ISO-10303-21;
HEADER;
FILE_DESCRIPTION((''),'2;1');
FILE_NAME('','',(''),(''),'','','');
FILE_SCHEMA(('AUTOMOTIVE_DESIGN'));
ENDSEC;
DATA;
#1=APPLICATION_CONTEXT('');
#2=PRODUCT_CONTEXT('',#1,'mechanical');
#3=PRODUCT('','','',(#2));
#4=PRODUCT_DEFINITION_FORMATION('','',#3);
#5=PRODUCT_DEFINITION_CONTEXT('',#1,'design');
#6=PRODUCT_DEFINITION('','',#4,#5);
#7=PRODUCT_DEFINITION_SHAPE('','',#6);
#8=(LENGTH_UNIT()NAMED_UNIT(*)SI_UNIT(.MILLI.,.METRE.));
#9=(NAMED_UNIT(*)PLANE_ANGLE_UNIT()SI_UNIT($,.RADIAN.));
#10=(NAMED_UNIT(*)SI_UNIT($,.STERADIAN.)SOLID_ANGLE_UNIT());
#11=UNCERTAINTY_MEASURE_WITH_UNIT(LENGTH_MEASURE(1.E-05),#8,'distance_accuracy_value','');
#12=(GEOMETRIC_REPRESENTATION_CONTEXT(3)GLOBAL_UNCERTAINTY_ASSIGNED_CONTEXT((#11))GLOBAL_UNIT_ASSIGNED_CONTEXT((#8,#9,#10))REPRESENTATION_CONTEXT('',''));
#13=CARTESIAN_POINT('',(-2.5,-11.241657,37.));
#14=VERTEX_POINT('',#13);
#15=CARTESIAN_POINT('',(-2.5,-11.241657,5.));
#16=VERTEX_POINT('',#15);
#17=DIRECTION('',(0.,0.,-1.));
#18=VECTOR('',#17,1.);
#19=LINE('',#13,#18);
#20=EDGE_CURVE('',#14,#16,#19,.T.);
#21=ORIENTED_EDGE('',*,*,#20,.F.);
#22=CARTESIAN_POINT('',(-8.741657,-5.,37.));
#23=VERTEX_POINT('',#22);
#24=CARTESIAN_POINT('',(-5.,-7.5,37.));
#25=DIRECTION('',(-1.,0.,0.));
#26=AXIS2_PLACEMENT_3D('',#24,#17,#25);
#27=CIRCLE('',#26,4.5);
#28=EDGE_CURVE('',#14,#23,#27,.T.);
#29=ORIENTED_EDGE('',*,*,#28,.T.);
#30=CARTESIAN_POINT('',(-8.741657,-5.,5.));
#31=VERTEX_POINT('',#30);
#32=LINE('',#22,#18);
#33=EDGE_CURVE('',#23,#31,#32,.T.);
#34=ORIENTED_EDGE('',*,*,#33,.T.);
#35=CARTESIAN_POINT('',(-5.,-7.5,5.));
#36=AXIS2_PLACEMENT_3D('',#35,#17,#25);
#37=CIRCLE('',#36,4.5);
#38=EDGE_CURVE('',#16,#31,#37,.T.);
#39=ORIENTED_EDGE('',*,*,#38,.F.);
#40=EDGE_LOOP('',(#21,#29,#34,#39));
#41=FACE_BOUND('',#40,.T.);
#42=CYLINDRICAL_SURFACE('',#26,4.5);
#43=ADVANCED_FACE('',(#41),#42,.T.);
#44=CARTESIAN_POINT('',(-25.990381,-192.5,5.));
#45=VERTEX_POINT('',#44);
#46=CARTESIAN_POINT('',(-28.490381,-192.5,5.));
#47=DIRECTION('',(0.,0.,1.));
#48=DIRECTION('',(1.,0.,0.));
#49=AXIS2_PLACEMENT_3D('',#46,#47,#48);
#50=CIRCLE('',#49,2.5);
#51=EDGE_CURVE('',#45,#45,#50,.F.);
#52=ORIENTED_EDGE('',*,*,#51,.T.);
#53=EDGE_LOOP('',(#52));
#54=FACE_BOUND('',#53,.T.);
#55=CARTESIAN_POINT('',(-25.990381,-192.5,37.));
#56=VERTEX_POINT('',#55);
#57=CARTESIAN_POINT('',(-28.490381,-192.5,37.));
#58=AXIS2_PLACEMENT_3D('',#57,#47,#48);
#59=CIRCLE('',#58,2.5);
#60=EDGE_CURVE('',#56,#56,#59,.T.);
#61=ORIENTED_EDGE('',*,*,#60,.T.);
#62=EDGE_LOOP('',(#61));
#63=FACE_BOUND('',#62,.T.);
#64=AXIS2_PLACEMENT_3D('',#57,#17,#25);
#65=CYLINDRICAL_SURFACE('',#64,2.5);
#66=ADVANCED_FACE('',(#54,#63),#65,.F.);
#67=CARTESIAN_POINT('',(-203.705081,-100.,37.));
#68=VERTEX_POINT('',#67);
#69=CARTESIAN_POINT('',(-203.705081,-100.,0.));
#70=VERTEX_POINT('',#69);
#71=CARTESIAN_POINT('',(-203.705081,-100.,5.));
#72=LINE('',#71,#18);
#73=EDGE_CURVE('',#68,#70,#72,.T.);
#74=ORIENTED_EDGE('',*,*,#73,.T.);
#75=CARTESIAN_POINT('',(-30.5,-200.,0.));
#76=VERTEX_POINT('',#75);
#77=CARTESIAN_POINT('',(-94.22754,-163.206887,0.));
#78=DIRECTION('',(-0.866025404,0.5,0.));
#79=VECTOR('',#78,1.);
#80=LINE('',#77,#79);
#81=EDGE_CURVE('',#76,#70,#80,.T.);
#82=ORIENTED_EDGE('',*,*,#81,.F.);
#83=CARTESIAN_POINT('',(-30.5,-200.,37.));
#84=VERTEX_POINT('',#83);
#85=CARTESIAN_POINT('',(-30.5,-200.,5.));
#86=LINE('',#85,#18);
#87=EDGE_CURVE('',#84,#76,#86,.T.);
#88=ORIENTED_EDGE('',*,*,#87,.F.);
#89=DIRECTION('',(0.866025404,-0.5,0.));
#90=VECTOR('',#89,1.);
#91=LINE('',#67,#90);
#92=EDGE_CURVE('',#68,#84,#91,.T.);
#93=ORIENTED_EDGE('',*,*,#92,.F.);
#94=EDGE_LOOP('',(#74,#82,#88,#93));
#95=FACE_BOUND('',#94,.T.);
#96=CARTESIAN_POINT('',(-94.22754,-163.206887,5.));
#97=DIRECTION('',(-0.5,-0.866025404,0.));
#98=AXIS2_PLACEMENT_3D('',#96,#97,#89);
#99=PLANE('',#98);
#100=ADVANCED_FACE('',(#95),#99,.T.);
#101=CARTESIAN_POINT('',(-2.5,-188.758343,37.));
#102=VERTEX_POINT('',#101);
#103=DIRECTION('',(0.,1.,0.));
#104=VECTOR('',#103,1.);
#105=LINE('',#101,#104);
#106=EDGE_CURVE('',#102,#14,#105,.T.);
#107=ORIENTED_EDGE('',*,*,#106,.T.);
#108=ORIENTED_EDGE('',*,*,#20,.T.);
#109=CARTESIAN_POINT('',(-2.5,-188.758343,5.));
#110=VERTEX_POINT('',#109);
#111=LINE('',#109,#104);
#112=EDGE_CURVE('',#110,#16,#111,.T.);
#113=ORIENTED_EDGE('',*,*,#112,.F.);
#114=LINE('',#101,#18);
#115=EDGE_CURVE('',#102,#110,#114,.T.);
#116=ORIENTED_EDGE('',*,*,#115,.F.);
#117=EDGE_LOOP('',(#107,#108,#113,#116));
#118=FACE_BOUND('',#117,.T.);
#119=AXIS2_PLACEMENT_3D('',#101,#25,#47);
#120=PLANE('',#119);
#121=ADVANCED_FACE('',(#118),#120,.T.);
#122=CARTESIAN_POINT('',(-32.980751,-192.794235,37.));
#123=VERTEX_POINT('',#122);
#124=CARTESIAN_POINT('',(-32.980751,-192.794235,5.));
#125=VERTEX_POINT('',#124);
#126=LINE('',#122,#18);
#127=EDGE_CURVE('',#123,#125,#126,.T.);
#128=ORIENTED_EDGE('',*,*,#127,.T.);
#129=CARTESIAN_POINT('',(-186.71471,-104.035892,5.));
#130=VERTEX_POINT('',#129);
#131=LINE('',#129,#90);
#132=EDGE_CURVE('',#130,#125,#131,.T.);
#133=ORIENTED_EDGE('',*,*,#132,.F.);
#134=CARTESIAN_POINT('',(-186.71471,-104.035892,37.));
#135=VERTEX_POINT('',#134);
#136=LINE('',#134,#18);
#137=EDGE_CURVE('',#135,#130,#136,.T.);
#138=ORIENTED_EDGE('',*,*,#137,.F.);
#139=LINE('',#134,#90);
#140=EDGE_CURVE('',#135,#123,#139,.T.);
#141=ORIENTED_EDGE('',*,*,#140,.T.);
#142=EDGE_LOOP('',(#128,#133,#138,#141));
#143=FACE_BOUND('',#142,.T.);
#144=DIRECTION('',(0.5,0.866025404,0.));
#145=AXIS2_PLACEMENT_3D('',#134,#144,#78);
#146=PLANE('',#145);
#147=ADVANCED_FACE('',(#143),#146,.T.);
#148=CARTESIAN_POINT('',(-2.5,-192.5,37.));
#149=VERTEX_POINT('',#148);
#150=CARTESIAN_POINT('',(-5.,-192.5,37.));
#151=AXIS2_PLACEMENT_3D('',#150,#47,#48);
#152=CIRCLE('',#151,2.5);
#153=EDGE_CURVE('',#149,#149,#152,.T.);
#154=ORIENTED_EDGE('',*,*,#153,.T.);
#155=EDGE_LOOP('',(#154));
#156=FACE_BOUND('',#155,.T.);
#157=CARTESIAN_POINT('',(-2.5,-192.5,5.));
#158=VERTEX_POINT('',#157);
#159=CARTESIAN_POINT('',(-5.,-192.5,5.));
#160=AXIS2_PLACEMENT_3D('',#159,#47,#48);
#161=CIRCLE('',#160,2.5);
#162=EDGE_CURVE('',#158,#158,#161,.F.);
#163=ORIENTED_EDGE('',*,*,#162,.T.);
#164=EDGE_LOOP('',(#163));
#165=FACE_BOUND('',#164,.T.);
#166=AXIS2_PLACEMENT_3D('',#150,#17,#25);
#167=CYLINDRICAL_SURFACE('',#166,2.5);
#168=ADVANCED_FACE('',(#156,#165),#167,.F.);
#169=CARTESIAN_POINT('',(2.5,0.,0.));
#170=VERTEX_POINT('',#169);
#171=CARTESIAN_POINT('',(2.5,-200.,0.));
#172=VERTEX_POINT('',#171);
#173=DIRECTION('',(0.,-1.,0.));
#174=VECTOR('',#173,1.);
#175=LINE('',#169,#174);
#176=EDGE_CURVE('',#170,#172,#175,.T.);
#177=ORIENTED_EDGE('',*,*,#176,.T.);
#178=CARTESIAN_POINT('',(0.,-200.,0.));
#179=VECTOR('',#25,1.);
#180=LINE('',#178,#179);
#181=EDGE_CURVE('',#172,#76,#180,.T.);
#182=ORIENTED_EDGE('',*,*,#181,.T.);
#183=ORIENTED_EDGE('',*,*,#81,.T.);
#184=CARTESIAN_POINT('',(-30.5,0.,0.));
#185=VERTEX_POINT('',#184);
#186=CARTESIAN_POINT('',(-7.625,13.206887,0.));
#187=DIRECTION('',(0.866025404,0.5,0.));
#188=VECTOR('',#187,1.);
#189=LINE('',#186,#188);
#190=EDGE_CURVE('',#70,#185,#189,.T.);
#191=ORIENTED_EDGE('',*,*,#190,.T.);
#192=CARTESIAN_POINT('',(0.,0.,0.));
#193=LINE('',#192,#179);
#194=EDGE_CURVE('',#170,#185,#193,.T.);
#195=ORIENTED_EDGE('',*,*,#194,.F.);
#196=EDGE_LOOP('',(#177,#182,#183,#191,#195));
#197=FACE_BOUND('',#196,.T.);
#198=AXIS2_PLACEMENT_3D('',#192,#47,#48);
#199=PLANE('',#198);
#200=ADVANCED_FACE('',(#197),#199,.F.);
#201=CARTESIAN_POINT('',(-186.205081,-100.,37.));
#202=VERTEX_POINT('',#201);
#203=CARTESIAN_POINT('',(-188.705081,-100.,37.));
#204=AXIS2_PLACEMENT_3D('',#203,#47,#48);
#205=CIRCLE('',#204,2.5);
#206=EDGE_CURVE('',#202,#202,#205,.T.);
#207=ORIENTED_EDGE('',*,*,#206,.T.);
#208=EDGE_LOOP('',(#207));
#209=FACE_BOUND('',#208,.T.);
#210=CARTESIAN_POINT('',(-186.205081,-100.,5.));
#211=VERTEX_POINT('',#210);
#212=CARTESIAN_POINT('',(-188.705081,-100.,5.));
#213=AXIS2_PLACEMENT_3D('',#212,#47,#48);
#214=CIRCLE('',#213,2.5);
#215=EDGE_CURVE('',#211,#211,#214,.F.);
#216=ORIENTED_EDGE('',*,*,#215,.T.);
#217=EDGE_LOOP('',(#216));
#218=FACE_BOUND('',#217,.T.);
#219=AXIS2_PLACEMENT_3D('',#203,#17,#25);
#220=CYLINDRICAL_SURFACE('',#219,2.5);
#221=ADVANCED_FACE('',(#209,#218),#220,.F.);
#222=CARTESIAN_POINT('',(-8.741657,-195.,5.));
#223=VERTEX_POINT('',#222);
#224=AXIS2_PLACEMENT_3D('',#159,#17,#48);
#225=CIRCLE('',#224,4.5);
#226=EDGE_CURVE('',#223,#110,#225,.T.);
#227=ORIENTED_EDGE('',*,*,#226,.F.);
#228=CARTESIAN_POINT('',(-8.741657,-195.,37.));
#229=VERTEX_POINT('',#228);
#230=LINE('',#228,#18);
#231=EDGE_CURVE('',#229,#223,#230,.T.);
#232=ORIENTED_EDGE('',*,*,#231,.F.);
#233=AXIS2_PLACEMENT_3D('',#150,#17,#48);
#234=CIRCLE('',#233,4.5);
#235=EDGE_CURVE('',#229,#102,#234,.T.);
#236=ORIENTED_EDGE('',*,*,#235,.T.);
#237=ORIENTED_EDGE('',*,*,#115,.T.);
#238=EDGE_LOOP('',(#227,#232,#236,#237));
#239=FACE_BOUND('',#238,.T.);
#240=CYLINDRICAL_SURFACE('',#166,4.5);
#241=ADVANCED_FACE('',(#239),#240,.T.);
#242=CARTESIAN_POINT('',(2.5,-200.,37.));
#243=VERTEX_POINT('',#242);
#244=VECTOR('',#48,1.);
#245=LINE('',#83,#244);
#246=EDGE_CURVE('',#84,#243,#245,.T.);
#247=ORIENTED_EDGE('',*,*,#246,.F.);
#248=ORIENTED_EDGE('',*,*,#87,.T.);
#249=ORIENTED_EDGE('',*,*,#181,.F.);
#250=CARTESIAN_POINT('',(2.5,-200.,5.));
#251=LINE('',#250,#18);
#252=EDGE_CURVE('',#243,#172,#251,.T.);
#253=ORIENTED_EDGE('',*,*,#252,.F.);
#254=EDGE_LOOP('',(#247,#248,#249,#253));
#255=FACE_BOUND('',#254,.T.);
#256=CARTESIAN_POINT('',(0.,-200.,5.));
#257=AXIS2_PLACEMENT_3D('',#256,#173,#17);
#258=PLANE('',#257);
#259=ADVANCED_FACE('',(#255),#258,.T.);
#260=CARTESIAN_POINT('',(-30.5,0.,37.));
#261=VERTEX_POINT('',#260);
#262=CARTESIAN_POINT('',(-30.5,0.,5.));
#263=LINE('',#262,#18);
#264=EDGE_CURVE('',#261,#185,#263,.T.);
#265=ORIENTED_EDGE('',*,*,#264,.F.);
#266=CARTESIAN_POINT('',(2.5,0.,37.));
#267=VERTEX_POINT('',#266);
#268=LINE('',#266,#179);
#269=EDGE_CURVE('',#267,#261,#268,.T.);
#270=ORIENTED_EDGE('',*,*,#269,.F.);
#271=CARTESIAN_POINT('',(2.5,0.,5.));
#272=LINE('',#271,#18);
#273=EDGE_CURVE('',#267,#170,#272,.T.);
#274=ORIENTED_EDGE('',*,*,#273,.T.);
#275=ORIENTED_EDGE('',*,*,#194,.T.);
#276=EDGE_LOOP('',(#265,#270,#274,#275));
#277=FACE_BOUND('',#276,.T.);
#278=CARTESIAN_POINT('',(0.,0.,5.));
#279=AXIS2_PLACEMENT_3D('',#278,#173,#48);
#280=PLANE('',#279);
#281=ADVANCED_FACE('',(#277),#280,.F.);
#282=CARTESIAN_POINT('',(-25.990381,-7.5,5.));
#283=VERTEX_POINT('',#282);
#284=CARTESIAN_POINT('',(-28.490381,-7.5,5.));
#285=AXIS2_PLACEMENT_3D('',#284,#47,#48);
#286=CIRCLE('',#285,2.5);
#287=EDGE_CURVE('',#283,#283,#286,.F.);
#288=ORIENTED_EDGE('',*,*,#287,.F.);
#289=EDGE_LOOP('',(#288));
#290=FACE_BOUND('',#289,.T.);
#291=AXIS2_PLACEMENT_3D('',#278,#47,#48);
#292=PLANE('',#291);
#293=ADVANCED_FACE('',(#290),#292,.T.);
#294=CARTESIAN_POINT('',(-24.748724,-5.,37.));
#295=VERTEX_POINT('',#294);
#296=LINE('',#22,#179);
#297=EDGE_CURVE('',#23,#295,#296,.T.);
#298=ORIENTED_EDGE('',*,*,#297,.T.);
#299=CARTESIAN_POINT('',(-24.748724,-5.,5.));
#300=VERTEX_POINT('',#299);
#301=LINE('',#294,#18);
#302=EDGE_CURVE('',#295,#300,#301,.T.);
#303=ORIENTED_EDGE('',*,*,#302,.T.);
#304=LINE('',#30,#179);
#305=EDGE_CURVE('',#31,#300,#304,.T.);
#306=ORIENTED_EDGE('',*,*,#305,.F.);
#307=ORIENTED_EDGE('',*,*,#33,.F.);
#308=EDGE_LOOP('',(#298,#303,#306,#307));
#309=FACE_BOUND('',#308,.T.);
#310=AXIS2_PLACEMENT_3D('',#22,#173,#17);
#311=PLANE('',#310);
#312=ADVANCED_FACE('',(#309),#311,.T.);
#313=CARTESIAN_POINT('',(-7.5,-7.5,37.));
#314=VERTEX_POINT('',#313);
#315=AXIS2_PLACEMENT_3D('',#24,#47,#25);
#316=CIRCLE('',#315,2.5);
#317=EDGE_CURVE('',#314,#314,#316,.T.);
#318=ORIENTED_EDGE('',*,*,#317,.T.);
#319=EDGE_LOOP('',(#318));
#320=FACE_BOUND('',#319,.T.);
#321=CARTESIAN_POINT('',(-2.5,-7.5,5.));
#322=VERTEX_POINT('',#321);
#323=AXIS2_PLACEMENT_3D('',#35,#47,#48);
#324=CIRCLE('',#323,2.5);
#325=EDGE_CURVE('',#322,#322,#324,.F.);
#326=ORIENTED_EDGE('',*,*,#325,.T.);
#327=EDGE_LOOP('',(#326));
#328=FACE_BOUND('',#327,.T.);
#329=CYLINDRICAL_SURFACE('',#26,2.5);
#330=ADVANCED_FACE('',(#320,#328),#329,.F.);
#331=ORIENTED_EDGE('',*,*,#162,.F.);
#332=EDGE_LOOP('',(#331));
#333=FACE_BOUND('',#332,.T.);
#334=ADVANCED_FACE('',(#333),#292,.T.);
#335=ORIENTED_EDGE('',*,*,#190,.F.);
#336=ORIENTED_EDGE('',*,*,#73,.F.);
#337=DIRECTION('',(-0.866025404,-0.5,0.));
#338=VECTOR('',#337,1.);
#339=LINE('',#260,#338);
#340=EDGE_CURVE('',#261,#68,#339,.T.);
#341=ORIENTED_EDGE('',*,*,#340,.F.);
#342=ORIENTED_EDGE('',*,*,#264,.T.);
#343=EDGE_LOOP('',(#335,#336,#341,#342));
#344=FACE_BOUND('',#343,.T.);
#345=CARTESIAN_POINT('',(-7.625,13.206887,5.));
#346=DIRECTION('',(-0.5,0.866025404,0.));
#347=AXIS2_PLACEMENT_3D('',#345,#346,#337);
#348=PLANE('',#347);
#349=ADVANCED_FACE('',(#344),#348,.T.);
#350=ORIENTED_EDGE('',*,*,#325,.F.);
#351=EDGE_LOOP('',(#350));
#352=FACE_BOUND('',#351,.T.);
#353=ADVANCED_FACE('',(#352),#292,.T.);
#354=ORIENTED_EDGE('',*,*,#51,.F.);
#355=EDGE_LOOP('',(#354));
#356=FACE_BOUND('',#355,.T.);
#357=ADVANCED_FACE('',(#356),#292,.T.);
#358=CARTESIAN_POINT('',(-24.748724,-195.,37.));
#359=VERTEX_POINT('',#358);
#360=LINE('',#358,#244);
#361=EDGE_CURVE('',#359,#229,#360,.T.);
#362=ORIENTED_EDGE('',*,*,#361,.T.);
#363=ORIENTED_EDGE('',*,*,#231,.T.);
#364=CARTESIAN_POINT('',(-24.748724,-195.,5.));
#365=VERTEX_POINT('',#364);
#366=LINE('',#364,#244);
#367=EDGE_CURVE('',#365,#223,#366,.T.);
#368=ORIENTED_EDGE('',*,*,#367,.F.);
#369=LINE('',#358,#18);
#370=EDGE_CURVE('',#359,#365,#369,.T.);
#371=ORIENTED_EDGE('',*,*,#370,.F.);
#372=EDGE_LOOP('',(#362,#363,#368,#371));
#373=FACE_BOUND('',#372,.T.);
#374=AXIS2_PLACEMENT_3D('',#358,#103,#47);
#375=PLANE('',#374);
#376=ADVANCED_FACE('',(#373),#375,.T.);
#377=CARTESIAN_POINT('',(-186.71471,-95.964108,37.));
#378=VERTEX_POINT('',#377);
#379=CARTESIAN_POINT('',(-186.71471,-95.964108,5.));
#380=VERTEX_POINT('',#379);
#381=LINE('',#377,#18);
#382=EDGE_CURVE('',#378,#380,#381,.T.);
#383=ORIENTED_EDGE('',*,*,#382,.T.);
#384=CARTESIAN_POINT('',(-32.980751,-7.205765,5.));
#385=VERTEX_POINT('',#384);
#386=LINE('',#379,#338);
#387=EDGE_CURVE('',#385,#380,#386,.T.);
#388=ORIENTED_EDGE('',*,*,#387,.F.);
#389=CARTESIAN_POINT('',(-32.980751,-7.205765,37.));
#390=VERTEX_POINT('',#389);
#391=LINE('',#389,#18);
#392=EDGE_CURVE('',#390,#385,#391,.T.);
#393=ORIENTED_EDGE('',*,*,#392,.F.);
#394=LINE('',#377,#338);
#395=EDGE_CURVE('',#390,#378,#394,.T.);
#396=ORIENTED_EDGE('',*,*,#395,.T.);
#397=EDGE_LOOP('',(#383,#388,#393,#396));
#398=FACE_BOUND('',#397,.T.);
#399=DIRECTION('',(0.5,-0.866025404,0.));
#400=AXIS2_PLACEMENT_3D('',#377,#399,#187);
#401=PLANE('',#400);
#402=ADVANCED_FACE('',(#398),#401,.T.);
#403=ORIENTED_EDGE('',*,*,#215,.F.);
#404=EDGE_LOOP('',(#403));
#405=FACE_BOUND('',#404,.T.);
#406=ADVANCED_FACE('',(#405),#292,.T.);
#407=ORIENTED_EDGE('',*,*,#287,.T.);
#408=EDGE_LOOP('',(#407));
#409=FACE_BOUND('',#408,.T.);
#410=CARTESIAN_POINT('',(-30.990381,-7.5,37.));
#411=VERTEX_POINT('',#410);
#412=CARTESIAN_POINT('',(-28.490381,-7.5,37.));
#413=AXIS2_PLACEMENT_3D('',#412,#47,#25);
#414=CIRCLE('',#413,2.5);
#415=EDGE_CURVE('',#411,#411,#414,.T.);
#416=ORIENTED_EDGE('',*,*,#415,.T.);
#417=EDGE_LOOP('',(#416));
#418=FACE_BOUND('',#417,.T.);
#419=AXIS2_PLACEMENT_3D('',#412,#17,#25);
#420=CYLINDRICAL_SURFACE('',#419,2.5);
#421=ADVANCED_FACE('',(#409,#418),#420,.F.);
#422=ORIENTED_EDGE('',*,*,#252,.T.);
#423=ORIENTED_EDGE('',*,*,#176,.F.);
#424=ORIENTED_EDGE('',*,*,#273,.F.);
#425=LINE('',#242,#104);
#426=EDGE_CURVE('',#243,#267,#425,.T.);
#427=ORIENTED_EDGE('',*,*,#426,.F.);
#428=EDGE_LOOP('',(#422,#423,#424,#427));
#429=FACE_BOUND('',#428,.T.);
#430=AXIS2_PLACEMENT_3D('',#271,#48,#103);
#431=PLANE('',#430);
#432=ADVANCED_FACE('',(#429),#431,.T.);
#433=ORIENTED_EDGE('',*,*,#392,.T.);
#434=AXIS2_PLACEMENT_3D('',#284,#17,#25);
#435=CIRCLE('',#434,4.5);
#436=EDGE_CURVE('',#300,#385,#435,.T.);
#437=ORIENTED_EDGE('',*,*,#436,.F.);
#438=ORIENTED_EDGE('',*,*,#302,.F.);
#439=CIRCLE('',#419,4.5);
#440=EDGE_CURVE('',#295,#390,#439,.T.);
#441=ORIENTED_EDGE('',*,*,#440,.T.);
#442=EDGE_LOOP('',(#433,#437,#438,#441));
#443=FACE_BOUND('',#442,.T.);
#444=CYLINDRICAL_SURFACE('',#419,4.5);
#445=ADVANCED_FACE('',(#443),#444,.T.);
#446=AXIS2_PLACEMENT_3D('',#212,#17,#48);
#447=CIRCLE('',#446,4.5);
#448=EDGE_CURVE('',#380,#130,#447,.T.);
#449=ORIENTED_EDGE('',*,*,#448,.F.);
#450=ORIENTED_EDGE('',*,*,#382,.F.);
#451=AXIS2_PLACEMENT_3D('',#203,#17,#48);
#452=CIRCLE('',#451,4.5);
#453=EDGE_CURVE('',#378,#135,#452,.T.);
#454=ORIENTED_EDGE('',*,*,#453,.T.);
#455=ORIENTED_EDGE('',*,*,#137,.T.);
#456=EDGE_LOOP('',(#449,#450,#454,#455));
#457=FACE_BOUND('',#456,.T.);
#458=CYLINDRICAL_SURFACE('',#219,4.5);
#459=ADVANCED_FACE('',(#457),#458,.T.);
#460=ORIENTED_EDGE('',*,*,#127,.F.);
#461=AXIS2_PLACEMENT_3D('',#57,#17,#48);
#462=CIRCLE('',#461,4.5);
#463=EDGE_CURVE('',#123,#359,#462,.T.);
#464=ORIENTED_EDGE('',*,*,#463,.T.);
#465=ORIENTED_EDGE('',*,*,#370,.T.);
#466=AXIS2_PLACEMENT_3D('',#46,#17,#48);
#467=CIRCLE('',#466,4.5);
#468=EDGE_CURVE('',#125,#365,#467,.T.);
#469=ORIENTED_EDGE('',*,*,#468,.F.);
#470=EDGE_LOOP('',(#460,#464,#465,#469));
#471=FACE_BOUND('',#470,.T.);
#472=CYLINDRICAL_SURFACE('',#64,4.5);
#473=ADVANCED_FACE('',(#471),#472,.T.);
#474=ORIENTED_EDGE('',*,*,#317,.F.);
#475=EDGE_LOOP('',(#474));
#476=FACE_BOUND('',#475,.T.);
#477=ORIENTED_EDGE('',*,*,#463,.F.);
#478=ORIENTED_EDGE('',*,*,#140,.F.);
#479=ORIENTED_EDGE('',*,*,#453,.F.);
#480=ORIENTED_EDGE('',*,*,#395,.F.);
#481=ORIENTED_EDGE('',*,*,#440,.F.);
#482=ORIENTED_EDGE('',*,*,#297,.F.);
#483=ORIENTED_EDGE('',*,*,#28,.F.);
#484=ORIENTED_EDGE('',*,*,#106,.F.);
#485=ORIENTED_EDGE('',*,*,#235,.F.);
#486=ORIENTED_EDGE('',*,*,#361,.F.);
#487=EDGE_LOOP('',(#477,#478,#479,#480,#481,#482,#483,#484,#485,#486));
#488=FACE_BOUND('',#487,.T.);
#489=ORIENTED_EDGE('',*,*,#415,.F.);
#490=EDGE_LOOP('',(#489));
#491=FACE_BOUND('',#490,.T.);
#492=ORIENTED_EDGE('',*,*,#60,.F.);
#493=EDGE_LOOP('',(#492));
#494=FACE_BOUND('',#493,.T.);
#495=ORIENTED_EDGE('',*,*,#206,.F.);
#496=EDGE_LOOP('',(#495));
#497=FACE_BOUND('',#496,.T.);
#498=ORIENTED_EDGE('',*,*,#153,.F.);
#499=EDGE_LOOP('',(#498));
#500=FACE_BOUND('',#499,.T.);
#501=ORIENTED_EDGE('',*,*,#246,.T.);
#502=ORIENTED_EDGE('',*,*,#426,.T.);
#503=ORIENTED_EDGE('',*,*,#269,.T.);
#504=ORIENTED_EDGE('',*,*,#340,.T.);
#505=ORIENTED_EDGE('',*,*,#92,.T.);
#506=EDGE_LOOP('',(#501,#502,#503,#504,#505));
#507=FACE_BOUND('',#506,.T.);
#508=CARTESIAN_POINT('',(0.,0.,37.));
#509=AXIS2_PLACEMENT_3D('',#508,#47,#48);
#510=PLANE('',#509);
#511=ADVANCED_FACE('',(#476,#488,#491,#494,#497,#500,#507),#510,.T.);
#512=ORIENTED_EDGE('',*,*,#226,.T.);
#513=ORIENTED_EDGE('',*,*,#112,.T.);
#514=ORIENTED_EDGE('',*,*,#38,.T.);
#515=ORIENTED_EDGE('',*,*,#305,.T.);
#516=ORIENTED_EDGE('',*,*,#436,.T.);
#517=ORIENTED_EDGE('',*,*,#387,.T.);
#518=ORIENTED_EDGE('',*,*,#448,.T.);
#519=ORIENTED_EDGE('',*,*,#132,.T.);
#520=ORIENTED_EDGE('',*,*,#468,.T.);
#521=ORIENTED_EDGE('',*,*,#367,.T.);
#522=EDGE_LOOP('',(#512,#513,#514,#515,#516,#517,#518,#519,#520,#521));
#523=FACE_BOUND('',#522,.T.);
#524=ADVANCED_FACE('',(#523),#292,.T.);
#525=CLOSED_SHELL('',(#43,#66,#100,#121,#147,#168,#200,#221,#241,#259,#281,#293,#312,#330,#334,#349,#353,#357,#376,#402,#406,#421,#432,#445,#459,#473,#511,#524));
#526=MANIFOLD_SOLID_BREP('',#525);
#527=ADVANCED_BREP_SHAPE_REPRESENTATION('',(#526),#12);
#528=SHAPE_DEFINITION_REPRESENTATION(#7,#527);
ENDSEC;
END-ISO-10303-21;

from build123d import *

# Parameters (mm, degrees)
BOSS_EXTRUDE1_DEPTH = 5
SKETCH2_R           = 2.5
BOSS_EXTRUDE2_DEPTH = 32


with BuildPart() as part:
    # Sketch1 → Boss-Extrude1 (new body)
    with BuildSketch(Plane.XY):
        Polygon((-30.5, -200), (-203.705080757, -100), (-30.5, 0), (2.5, 0), (2.5, -200), align=None)
    extrude(amount=BOSS_EXTRUDE1_DEPTH)

    # Sketch2 → Boss-Extrude2 (add)
    with BuildSketch(Plane.XY.offset(5)):
        Polygon((-203.705080757, -100), (-30.5, -200), (2.5, -200), (2.5, 0), (-30.5, 0), align=None)
        with Locations((-188.705080757, -100)):
            Circle(SKETCH2_R, mode=Mode.SUBTRACT)
        with Locations((-5, -192.5)):
            Circle(SKETCH2_R, mode=Mode.SUBTRACT)
        with Locations(Location((-5, -7.5, 0), (0, 0, 180))):
            Circle(SKETCH2_R, mode=Mode.SUBTRACT)
        with Locations((-28.490381057, -192.5)):
            Circle(SKETCH2_R, mode=Mode.SUBTRACT)
        with Locations(Location((-28.490381057, -7.5, 0), (0, 0, 180))):
            Circle(SKETCH2_R, mode=Mode.SUBTRACT)
        with BuildLine():
            Line((-8.741657387, -5), (-24.74872367, -5))
            ThreePointArc((-24.74872367, -5), (-27.325695354, -11.846666218), (-32.980751406, -7.205765184))
            Line((-32.980751406, -7.205765184), (-186.714710408, -95.964107797))
            ThreePointArc((-186.714710408, -95.964107797), (-184.205080757, -100), (-186.714710408, -104.035892203))
            Line((-186.714710408, -104.035892203), (-32.980751406, -192.794234816))
            ThreePointArc((-32.980751406, -192.794234816), (-27.325695354, -188.153333782), (-24.74872367, -195))
            Line((-24.74872367, -195), (-8.741657387, -195))
            ThreePointArc((-8.741657387, -195), (-8.181980515, -189.318019485), (-2.5, -188.758342613))
            Line((-2.5, -188.758342613), (-2.5, -11.241657387))
            ThreePointArc((-2.5, -11.241657387), (-8.181980515, -10.681980515), (-8.741657387, -5))
        make_face(mode=Mode.SUBTRACT)
    extrude(amount=BOSS_EXTRUDE2_DEPTH)


solid = part.part
